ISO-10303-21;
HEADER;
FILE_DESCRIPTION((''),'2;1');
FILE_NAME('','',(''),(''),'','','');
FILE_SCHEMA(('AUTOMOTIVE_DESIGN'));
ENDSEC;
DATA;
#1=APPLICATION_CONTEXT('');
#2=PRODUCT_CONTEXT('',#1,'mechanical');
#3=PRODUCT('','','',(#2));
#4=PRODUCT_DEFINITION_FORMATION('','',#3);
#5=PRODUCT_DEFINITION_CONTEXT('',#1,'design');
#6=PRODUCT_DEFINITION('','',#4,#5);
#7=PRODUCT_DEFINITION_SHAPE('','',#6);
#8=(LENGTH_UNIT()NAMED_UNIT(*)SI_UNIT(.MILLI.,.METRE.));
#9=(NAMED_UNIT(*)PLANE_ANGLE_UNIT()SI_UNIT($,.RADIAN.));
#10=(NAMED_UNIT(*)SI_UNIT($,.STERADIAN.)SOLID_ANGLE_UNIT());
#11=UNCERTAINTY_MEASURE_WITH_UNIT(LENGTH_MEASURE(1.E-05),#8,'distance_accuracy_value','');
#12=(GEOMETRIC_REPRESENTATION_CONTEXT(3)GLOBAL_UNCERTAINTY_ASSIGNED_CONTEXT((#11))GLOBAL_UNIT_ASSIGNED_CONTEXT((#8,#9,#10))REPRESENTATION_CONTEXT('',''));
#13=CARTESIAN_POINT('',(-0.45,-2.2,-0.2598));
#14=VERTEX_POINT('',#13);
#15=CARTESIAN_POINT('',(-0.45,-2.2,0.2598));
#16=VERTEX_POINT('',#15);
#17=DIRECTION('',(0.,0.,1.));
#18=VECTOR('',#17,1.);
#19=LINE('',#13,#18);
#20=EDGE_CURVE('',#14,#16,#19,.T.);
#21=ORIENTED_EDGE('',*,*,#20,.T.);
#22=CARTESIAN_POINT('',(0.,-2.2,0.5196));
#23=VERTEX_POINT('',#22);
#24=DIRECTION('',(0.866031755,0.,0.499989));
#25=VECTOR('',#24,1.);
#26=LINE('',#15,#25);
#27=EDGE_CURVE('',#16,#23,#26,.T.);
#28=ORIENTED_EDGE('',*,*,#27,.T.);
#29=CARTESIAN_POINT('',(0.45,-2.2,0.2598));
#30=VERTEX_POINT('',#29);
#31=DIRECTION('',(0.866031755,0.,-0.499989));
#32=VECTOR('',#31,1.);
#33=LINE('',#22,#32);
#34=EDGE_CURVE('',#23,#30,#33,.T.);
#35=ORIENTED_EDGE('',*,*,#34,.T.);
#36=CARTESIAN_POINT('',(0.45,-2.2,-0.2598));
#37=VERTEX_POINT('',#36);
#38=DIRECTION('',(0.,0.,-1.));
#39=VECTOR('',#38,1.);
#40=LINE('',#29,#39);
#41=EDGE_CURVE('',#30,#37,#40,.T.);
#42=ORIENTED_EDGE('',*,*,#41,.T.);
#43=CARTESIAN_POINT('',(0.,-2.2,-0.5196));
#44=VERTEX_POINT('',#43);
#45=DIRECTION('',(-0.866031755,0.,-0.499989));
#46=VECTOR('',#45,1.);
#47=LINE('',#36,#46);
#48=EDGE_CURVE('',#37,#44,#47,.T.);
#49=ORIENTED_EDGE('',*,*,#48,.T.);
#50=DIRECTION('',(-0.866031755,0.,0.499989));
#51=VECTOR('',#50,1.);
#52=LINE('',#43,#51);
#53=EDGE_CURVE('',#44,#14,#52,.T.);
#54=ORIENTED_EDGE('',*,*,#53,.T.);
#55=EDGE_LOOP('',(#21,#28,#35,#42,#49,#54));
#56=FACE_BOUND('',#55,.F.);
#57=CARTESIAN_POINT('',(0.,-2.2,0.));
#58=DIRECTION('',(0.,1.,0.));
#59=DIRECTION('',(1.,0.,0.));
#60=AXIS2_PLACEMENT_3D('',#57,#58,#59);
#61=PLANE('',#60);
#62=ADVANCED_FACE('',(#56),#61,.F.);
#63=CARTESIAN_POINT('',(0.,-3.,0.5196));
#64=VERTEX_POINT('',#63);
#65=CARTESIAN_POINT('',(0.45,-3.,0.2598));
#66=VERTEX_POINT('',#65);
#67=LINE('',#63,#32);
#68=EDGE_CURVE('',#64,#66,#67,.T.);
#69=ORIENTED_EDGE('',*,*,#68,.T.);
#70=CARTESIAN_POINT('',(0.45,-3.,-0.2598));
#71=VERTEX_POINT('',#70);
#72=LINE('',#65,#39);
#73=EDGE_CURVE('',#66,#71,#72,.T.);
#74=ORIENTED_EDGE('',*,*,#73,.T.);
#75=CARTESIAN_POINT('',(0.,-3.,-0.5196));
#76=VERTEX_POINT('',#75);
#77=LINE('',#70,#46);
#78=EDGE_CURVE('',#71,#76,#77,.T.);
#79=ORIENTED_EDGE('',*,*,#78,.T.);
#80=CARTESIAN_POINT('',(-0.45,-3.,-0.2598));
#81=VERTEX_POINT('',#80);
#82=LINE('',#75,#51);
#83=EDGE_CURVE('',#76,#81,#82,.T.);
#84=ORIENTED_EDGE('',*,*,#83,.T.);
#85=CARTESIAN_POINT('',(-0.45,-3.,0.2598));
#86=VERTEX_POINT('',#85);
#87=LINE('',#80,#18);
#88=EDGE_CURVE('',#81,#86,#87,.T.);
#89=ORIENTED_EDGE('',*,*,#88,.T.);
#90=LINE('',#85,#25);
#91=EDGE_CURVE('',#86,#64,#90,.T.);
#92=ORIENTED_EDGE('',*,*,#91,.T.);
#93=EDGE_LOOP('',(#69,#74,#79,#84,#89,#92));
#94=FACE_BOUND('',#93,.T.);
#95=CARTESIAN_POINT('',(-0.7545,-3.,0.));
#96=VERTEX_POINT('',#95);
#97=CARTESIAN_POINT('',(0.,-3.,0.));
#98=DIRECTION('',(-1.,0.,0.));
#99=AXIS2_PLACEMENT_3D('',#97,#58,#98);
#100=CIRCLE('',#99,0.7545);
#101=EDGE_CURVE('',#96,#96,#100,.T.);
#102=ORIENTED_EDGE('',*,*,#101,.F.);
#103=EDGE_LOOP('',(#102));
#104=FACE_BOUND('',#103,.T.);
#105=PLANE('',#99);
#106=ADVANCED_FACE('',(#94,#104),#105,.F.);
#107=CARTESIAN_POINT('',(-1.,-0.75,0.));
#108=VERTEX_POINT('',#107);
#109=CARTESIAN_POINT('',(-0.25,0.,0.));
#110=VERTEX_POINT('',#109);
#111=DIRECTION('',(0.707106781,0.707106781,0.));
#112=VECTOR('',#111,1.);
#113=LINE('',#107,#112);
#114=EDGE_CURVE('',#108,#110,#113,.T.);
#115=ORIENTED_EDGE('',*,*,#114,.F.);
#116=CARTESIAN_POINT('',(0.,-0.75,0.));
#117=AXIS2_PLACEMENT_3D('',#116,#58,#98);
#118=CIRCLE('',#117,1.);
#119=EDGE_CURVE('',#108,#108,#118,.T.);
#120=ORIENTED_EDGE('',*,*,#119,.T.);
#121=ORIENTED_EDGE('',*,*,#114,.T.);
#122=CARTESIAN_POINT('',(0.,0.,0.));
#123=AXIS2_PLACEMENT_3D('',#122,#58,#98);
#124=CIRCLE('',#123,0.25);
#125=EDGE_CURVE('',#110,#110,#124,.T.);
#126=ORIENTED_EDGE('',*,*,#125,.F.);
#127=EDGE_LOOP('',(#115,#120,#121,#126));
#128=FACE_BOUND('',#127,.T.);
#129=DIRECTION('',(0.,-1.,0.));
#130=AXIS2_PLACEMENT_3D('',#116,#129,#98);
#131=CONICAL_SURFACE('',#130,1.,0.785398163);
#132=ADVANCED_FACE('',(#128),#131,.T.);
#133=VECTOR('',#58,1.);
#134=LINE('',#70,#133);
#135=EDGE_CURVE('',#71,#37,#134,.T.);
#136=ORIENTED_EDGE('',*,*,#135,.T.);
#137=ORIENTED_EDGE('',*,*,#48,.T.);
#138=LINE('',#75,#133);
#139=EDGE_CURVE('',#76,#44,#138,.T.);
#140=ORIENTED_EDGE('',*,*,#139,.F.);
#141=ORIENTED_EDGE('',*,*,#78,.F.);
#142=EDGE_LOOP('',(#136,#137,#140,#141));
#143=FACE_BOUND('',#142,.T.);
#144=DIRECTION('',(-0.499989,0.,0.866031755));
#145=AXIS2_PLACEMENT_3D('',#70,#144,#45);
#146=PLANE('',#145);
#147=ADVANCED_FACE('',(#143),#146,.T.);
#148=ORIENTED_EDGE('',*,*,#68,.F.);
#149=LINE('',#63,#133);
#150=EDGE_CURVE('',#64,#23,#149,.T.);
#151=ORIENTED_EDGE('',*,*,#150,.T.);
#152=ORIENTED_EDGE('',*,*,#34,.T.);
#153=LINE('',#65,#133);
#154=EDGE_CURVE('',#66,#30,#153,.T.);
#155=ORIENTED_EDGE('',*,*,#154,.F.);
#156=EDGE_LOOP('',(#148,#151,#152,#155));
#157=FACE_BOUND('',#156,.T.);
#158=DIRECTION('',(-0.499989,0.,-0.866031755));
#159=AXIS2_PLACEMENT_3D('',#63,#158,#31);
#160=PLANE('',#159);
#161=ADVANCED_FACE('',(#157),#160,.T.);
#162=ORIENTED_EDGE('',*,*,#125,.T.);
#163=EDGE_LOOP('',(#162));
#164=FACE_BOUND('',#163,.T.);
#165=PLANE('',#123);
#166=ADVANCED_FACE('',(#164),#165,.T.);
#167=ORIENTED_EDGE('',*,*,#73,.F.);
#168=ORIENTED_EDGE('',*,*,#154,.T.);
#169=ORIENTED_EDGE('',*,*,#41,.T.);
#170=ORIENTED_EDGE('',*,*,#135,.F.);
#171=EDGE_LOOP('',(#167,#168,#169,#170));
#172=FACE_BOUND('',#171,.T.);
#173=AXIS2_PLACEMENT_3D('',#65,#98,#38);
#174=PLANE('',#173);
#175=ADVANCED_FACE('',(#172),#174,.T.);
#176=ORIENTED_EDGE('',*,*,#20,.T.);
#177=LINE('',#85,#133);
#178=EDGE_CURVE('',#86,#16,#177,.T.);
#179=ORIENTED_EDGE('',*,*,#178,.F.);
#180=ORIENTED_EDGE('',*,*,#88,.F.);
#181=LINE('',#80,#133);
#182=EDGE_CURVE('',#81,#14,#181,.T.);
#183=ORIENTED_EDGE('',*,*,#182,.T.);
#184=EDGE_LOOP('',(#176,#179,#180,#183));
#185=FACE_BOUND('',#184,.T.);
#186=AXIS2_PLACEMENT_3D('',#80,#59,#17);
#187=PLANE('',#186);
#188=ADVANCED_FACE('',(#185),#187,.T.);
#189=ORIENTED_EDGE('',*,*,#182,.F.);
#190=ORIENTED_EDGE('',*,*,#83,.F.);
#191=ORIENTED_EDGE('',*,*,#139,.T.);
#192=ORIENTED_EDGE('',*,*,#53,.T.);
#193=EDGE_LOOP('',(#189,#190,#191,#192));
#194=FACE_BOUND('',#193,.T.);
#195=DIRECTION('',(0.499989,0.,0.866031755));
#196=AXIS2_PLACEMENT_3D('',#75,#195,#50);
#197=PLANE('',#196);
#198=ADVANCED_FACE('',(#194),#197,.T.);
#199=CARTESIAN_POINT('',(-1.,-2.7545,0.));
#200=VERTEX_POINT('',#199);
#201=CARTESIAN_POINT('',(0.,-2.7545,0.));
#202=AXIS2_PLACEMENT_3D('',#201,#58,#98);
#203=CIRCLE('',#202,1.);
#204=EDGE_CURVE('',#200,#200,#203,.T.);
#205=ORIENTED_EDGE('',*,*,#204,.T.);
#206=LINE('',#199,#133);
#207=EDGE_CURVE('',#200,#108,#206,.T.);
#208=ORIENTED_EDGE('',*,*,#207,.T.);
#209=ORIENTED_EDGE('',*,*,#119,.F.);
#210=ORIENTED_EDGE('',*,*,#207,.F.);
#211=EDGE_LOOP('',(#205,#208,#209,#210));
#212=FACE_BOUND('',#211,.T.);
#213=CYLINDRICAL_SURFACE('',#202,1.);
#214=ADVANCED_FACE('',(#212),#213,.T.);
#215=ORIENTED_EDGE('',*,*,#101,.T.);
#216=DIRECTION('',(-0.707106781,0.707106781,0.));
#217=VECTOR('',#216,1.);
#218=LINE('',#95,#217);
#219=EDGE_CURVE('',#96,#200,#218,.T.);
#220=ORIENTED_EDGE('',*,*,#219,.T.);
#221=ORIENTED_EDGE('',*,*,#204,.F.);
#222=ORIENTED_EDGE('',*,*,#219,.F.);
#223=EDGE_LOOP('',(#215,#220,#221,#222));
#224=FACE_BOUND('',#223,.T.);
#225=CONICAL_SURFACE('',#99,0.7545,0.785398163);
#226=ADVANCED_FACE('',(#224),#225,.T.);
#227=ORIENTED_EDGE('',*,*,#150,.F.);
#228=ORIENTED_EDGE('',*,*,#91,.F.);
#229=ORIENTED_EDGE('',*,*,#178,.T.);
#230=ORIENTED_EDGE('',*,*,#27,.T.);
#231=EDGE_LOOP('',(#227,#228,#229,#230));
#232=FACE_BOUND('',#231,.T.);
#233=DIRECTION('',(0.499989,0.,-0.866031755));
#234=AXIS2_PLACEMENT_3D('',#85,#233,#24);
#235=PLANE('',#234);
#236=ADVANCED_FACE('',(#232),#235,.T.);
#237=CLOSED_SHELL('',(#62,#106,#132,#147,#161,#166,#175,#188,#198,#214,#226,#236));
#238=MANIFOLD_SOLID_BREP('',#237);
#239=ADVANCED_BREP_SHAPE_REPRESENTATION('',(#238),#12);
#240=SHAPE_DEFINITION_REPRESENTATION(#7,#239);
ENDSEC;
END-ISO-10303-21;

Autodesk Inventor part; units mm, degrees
sketch "Sketch_4" plane through (0, 0, 0) normal (0, 0, 1) x (1, 0, 0)
  line L0 (0, 0) -> (0, -3)
  line L1 (0, -3) -> (-0.7545, -3)
  line L2 (-0.7545, -3) -> (-1, -2.7545)
  line L3 (-1, -2.7545) -> (-1, -0.75)
  line L4 (-1, -0.75) -> (-0.25, 0)
  line L5 (-0.25, 0) -> (0, 0)
  line L6 (0, 0) -> (0, -3)
revolve "Revolution1" add sketch "Sketch_4" angle 360 about axis through (0, 0, 0) along (0, 1, 0)
thread "Thread1" size "M2x0.4" class "6g" standard "ISO Metric profile" full length
sketch "Sketch_6" plane through (0, -3, 0) normal (0, 1, 0) x (1, 0, 0)
  line L0 (-0.45, -0.2598) -> (0, -0.5196)
  line L1 (0, -0.5196) -> (0.45, -0.2598)
  line L2 (0.45, -0.2598) -> (0.45, 0.2598)
  line L3 (0.45, 0.2598) -> (0, 0.5196)
  line L4 (0, 0.5196) -> (-0.45, 0.2598)
  line L5 (-0.45, 0.2598) -> (-0.45, -0.2598)
extrude "Extrusion1" cut sketch "Sketch_6" along normal blind 0.8
ref_plane "gst_27434_4027_XY" through (0, -2, 0) normal (0, 1, 0) x (1, 0, 0)
ref_plane "gst_27434_4027_YZ" through (0, -2, 0) normal (1, 0, 0) x (0, 0, -1)
ref_plane "gst_27434_4027_ZX" through (0, -2, 0) normal (0, 0, -1) x (0, 1, 0)
properties part number "623890036_2"
